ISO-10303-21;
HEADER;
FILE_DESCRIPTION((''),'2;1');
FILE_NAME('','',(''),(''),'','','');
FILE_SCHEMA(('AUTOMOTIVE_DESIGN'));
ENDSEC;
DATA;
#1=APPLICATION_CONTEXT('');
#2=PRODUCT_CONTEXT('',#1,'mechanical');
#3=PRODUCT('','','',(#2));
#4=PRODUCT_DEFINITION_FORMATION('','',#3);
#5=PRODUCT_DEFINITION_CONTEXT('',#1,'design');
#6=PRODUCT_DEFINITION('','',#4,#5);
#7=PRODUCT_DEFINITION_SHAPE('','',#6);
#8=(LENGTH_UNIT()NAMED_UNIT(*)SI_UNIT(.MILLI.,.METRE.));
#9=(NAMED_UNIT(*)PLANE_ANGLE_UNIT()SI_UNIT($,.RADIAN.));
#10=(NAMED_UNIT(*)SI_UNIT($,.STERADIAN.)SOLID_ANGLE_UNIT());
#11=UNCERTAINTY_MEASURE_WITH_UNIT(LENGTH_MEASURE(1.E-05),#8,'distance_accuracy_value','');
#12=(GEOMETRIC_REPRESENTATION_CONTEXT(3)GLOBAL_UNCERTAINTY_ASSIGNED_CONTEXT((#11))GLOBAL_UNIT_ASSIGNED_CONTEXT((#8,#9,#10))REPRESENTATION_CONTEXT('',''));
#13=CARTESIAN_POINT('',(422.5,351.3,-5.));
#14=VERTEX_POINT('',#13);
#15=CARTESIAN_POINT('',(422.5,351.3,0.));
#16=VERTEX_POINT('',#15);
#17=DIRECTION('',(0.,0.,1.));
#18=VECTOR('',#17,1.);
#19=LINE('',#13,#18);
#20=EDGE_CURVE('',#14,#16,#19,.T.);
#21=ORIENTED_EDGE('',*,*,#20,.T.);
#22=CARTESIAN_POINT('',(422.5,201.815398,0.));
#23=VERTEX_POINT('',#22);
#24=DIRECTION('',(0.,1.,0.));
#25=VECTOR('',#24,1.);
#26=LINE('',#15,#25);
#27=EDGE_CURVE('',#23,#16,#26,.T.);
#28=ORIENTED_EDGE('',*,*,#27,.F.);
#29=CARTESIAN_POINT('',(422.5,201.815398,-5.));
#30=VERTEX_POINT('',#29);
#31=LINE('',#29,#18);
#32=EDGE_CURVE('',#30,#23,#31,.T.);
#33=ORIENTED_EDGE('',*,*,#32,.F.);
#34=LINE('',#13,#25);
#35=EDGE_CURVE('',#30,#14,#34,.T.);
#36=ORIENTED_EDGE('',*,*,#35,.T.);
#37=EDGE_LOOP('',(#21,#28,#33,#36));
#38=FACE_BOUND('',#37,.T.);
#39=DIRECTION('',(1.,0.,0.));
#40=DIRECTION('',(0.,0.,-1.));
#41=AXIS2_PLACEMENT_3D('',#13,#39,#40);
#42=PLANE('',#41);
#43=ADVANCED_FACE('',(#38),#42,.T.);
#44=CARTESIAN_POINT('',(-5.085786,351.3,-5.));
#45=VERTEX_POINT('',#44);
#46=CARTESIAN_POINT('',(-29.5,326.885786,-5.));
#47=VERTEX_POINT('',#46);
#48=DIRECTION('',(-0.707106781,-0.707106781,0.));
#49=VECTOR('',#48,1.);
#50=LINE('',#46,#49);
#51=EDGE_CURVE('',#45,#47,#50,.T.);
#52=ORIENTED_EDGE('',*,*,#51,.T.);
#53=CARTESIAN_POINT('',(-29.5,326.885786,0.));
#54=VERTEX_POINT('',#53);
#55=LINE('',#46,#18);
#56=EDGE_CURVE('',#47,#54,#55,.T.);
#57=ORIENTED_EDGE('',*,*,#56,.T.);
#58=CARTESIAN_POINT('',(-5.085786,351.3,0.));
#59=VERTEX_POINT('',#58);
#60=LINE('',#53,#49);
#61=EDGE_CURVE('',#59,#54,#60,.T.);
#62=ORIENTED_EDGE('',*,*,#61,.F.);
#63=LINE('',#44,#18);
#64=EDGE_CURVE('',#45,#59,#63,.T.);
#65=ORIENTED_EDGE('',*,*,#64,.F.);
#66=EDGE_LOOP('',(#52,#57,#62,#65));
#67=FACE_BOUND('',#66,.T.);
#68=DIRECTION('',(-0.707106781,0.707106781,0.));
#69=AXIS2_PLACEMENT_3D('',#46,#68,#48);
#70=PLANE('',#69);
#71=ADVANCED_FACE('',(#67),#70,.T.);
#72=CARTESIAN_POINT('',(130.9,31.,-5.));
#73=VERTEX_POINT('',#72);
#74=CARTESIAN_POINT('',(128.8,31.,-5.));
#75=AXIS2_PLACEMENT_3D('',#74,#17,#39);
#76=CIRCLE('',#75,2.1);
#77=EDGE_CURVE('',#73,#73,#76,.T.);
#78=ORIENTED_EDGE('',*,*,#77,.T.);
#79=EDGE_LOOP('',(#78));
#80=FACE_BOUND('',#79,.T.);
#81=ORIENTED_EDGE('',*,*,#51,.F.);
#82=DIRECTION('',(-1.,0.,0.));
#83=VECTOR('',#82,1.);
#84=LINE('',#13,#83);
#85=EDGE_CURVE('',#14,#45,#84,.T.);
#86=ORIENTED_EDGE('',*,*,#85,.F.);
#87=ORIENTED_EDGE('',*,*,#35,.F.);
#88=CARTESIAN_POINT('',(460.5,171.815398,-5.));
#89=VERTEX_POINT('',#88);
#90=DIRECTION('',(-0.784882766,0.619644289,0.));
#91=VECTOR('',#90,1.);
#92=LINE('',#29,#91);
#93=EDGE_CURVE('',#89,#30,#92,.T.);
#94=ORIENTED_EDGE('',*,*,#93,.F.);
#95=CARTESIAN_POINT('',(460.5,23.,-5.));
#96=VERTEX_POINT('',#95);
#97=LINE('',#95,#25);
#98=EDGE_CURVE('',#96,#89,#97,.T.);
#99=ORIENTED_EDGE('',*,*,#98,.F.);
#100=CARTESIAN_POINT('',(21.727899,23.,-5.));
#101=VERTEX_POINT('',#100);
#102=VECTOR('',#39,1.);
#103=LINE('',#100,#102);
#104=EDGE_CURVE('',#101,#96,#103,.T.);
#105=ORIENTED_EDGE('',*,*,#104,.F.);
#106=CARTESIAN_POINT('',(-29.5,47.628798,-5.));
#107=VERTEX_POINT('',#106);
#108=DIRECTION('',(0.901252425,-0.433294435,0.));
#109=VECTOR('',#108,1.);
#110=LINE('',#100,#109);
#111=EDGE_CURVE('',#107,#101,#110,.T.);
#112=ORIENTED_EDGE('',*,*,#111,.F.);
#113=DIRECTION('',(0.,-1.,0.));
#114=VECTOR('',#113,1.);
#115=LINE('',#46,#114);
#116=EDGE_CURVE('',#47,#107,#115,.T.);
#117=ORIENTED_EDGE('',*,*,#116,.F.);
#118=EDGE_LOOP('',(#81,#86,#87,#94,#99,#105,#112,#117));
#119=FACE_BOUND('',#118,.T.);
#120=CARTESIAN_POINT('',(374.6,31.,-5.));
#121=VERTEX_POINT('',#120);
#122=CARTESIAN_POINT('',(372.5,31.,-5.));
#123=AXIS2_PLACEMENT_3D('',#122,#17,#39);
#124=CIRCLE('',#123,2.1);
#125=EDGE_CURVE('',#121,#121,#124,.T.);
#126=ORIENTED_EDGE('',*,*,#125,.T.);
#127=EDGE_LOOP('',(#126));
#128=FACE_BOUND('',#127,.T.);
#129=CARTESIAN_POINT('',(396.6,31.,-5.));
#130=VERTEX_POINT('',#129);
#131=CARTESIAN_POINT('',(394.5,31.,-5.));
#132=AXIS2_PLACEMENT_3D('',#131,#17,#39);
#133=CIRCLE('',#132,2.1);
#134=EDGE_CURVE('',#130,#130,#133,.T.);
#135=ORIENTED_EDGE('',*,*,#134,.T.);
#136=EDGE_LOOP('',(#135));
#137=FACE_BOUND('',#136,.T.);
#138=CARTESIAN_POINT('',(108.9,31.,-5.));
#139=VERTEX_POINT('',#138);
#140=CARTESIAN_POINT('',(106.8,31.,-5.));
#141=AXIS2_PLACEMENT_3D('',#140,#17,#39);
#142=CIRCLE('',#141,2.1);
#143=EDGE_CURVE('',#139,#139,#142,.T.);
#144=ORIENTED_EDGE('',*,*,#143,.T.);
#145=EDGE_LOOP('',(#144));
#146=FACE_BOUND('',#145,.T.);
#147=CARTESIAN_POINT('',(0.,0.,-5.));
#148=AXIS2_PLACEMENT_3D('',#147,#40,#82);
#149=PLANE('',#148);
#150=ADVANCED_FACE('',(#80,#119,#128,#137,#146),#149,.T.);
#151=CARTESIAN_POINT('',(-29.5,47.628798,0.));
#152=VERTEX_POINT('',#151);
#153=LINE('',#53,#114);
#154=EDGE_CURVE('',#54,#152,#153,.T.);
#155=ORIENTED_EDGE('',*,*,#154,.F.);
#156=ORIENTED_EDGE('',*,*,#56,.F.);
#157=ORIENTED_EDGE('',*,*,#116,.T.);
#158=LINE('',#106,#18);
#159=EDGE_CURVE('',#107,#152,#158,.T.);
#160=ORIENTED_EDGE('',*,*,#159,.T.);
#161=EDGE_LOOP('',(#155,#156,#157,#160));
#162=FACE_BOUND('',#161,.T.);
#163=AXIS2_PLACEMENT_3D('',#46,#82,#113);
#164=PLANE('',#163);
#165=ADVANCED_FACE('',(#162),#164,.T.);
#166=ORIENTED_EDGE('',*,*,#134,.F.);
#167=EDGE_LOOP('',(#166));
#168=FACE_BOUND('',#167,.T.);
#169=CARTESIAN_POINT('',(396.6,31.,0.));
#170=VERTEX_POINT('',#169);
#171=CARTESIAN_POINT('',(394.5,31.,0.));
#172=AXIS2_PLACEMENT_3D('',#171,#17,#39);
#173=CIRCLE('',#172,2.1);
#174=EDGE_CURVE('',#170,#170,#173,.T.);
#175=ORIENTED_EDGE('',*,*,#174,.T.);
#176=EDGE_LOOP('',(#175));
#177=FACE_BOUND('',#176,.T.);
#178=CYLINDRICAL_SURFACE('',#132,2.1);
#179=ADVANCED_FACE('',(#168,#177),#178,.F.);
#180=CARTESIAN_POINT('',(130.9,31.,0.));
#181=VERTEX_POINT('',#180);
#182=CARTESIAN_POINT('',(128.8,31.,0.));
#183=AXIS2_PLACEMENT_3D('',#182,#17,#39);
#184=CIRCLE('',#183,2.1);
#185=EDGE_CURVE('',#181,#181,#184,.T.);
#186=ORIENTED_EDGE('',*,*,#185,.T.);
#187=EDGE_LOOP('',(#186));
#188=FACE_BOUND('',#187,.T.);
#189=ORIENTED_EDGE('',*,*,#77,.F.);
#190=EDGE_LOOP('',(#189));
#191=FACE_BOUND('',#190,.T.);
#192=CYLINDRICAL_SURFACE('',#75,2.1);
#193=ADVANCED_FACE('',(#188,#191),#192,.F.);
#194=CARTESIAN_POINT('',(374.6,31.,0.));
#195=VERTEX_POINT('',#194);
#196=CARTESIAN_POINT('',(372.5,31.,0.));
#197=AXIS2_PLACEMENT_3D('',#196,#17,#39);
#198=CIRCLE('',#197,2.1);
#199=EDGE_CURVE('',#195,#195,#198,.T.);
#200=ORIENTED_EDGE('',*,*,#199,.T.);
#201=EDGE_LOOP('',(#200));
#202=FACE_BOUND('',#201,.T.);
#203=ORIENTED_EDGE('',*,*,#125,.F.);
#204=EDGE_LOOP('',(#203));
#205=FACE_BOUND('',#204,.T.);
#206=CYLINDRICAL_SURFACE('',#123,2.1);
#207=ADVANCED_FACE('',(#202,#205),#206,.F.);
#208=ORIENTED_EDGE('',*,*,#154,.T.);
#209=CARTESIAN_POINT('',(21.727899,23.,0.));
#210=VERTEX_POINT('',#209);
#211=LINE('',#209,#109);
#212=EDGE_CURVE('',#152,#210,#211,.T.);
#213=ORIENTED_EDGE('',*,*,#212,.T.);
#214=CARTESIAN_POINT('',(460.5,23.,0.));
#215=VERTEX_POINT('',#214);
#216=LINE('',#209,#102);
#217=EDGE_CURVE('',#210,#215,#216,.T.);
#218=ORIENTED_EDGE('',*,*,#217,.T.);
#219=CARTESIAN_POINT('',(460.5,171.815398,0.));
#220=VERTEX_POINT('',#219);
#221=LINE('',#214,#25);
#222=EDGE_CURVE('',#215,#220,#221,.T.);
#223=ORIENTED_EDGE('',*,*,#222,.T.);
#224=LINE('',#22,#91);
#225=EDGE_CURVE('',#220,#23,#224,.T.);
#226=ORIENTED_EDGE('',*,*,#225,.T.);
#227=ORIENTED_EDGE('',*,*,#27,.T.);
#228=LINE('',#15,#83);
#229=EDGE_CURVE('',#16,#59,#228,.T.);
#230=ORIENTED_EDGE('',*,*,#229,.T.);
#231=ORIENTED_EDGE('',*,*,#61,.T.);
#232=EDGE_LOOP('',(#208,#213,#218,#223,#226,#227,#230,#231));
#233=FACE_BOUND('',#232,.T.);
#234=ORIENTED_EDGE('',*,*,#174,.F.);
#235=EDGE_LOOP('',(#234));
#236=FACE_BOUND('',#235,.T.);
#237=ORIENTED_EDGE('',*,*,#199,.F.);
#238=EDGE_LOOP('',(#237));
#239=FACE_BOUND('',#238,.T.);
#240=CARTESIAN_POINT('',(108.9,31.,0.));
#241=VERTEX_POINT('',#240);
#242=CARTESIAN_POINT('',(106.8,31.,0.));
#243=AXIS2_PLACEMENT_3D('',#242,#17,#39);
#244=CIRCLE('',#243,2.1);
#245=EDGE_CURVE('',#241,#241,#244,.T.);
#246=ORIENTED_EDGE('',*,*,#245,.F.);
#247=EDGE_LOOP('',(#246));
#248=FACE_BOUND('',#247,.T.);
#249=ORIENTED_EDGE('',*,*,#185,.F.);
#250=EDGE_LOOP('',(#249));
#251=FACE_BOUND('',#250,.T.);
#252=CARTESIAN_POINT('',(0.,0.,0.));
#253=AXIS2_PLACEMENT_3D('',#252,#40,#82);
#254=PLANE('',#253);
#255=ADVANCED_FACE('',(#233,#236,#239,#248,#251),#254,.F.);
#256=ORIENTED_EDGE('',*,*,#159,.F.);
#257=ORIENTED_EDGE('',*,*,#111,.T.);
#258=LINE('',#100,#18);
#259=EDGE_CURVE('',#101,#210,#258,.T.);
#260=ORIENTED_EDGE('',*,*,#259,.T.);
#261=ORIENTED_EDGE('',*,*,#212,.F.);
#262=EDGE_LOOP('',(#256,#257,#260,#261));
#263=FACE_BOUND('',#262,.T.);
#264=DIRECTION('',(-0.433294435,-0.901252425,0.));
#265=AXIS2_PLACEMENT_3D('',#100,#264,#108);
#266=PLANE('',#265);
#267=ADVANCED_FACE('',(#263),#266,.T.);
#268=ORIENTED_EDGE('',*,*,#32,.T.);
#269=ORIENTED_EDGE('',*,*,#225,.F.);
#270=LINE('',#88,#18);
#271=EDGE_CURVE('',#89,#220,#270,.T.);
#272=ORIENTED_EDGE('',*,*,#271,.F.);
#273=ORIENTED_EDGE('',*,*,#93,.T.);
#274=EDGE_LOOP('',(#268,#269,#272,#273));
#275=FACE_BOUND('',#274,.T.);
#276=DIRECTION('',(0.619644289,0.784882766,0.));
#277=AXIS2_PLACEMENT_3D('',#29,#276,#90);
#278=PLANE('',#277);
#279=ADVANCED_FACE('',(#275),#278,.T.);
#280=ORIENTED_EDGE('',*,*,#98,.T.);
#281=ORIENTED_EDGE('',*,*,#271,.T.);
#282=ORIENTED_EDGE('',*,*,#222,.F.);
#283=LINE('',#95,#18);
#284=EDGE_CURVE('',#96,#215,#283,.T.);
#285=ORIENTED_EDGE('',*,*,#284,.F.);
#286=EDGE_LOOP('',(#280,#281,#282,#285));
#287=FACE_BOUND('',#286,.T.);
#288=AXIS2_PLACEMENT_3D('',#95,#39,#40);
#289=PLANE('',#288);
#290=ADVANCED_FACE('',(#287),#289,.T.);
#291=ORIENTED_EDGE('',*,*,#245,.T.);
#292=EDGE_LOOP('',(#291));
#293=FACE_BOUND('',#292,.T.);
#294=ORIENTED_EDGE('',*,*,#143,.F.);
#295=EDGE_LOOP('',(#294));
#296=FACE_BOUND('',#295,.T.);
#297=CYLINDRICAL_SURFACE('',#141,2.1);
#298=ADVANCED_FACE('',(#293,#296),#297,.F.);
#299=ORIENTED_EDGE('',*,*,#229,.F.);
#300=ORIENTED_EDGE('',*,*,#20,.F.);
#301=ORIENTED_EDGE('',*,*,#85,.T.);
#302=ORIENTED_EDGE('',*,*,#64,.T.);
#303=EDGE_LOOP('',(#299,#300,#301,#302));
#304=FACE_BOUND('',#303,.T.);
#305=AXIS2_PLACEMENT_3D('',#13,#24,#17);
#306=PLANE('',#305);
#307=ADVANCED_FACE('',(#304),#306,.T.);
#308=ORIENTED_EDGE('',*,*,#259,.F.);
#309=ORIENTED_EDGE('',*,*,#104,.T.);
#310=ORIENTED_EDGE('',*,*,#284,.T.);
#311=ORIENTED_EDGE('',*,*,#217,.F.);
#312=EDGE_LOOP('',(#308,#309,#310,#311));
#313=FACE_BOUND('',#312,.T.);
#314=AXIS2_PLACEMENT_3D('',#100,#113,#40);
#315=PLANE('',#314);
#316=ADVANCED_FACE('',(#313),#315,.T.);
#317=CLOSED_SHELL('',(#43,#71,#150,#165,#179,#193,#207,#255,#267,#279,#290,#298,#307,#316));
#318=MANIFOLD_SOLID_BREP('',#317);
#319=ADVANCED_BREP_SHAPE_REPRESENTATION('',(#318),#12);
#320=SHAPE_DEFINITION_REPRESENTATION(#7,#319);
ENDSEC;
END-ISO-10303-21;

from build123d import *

# Parameters (mm, degrees)
BOSS_EXTRU_1_DEPTH      = 5
ESQUISSE3_R             = 2.1
ENL_V_MAT_EXTRU_2_DEPTH = 580.22097683


with BuildPart() as part:
    # Esquisse1 → Boss.-Extru.1 (new body)
    with BuildSketch(Plane.XY):
        Polygon((-29.5, 326.885786438), (-29.5, 47.628797826), (21.727899478, 23), (460.5, 23), (460.5, 171.815398059), (422.5, 201.815398059), (422.5, 351.3), (-5.085786438, 351.3), align=None)
    extrude(amount=-BOSS_EXTRU_1_DEPTH)

    # Esquisse3 → Enlèv. mat.-Extru.2 (cut, through all)
    with BuildSketch(Plane.XY):
        with Locations((106.8, 31)):
            Circle(ESQUISSE3_R)
        with Locations((128.8, 31)):
            Circle(ESQUISSE3_R)
        with Locations((372.5, 31)):
            Circle(ESQUISSE3_R)
        with Locations((394.5, 31)):
            Circle(ESQUISSE3_R)
    extrude(amount=-ENL_V_MAT_EXTRU_2_DEPTH, mode=Mode.SUBTRACT)


solid = part.part
